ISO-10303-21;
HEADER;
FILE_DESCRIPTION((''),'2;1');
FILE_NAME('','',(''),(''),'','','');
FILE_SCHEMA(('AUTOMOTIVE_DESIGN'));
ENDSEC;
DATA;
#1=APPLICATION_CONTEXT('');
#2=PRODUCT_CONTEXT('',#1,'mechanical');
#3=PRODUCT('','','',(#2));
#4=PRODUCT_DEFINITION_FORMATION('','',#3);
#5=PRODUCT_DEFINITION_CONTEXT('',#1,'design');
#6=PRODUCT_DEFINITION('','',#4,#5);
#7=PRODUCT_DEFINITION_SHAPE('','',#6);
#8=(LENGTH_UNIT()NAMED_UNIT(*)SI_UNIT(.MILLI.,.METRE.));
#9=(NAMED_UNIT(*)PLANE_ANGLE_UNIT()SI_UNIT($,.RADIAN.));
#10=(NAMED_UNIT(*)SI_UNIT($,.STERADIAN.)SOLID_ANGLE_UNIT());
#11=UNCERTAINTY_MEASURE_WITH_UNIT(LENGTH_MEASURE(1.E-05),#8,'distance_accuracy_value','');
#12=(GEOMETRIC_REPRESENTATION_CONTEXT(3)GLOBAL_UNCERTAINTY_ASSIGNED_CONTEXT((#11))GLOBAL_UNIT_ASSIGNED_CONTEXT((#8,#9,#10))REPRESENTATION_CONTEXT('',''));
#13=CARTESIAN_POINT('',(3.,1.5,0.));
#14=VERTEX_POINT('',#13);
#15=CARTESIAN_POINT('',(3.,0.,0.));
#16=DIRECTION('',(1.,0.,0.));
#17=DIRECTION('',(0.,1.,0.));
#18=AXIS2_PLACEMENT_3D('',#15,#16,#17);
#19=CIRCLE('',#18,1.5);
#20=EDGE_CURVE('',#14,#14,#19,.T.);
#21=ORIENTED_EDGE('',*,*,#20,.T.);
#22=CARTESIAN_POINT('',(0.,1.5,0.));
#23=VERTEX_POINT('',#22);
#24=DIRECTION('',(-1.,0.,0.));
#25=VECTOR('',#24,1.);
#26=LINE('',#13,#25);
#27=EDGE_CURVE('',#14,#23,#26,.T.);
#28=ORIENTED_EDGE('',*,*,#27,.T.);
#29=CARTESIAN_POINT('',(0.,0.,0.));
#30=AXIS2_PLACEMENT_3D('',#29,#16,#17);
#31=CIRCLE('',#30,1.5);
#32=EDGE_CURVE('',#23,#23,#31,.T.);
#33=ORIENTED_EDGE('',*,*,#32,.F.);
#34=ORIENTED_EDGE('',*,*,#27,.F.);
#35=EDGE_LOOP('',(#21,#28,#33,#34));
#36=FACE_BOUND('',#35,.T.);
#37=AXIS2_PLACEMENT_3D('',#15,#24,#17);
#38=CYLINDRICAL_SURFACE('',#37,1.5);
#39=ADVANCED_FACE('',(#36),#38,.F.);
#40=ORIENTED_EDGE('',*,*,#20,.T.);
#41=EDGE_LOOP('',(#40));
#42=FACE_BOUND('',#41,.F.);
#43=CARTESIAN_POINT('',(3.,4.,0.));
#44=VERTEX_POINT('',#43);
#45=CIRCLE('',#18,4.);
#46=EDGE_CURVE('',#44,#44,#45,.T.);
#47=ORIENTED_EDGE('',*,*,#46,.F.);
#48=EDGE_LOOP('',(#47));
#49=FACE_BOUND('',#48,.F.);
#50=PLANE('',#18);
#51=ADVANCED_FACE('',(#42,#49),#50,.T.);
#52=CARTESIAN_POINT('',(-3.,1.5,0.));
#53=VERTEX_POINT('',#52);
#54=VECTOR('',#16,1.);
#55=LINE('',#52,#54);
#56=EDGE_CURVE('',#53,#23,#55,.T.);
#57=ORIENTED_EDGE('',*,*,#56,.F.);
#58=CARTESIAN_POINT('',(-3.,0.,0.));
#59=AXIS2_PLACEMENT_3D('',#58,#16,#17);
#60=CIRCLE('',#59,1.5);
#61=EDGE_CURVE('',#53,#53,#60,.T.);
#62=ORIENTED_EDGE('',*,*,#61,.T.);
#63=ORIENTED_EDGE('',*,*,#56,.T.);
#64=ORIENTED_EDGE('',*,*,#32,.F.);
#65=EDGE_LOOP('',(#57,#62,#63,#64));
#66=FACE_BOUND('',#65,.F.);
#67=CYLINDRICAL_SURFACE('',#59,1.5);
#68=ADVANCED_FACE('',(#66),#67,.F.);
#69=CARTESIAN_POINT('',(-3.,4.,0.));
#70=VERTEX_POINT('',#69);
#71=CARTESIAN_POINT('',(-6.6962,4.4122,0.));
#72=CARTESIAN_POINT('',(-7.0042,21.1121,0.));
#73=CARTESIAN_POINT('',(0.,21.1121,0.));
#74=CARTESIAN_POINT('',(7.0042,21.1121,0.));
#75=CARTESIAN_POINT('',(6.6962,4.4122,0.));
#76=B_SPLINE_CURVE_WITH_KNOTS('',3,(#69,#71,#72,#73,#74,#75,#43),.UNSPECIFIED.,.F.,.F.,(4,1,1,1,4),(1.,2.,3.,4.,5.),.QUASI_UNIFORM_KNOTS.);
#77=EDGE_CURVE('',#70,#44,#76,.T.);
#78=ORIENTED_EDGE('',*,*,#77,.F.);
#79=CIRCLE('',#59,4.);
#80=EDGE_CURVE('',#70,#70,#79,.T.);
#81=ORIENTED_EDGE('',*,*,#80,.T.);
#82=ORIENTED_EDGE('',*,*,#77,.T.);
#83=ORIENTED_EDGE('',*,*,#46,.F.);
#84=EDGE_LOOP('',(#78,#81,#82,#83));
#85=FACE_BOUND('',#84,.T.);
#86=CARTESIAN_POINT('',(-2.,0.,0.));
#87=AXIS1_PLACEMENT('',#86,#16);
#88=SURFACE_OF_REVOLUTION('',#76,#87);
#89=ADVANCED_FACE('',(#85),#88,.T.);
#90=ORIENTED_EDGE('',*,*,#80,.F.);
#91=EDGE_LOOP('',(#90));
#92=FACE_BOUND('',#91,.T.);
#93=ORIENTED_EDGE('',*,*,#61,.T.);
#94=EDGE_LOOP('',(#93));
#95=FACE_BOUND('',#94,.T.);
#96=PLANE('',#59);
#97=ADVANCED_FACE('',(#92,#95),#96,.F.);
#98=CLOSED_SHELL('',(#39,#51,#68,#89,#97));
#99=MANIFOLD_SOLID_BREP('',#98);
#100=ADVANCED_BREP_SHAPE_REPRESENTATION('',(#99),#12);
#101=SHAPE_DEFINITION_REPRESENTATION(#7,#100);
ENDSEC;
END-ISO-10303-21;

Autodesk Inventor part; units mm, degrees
ref_plane "YZ Plane" through (0, 0, 0) normal (1, 0, 0) x (0, 1, 0)
ref_plane "XZ Plane" through (0, 0, 0) normal (0, 1, 0) x (-1, 0, 0)
ref_plane "XY Plane" through (0, 0, 0) normal (0, 0, 1) x (1, 0, 0)
sketch "Sketch1" plane through (0, 0, 0) normal (0, 0, 1) x (1, 0, 0)
  line L0 (-3, 1.5) -> (-3, 4)
  line L1 (-3, 4) -> (-6.6962, 4.4122) construction
  line L2 (-6.6962, 4.4122) -> (-7.0042, 21.1121) construction
  line L3 (-7.0042, 21.1121) -> (0, 21.1121) construction
  spline S0 degree 3 poles (-3, 4) (-6.6962, 4.4122) (-7.0042, 21.1121) (0, 21.1121) (7.0042, 21.1121) (6.6962, 4.4122) (3, 4) knots 1 1 1 1 2 3 4 5 5 5 5
  line L4 (-3, 1.5) -> (0, 1.5)
  line L5 (0, 21.1121) -> (0, 1.5) construction
  line L6 (3, 1.5) -> (3, 4)
  line L7 (3, 1.5) -> (0, 1.5)
  line L8 (0, 21.1121) -> (7.0042, 21.1121) construction
  line L9 (7.0042, 21.1121) -> (6.6962, 4.4122) construction
  line L10 (6.6962, 4.4122) -> (3, 4) construction
  line L11 (0, 1.5) -> (0, 0)
  line L12 (-2, 0) -> (2, 0)
  dimension "d0" = 3
  dimension "d1" = 2.5
  dimension "d2" = 1.5
revolve "Revolution1" add sketch "Sketch1" angle 360 about axis through (-2, 0, 0) along (1, 0, 0)
properties part number "Wheel"
